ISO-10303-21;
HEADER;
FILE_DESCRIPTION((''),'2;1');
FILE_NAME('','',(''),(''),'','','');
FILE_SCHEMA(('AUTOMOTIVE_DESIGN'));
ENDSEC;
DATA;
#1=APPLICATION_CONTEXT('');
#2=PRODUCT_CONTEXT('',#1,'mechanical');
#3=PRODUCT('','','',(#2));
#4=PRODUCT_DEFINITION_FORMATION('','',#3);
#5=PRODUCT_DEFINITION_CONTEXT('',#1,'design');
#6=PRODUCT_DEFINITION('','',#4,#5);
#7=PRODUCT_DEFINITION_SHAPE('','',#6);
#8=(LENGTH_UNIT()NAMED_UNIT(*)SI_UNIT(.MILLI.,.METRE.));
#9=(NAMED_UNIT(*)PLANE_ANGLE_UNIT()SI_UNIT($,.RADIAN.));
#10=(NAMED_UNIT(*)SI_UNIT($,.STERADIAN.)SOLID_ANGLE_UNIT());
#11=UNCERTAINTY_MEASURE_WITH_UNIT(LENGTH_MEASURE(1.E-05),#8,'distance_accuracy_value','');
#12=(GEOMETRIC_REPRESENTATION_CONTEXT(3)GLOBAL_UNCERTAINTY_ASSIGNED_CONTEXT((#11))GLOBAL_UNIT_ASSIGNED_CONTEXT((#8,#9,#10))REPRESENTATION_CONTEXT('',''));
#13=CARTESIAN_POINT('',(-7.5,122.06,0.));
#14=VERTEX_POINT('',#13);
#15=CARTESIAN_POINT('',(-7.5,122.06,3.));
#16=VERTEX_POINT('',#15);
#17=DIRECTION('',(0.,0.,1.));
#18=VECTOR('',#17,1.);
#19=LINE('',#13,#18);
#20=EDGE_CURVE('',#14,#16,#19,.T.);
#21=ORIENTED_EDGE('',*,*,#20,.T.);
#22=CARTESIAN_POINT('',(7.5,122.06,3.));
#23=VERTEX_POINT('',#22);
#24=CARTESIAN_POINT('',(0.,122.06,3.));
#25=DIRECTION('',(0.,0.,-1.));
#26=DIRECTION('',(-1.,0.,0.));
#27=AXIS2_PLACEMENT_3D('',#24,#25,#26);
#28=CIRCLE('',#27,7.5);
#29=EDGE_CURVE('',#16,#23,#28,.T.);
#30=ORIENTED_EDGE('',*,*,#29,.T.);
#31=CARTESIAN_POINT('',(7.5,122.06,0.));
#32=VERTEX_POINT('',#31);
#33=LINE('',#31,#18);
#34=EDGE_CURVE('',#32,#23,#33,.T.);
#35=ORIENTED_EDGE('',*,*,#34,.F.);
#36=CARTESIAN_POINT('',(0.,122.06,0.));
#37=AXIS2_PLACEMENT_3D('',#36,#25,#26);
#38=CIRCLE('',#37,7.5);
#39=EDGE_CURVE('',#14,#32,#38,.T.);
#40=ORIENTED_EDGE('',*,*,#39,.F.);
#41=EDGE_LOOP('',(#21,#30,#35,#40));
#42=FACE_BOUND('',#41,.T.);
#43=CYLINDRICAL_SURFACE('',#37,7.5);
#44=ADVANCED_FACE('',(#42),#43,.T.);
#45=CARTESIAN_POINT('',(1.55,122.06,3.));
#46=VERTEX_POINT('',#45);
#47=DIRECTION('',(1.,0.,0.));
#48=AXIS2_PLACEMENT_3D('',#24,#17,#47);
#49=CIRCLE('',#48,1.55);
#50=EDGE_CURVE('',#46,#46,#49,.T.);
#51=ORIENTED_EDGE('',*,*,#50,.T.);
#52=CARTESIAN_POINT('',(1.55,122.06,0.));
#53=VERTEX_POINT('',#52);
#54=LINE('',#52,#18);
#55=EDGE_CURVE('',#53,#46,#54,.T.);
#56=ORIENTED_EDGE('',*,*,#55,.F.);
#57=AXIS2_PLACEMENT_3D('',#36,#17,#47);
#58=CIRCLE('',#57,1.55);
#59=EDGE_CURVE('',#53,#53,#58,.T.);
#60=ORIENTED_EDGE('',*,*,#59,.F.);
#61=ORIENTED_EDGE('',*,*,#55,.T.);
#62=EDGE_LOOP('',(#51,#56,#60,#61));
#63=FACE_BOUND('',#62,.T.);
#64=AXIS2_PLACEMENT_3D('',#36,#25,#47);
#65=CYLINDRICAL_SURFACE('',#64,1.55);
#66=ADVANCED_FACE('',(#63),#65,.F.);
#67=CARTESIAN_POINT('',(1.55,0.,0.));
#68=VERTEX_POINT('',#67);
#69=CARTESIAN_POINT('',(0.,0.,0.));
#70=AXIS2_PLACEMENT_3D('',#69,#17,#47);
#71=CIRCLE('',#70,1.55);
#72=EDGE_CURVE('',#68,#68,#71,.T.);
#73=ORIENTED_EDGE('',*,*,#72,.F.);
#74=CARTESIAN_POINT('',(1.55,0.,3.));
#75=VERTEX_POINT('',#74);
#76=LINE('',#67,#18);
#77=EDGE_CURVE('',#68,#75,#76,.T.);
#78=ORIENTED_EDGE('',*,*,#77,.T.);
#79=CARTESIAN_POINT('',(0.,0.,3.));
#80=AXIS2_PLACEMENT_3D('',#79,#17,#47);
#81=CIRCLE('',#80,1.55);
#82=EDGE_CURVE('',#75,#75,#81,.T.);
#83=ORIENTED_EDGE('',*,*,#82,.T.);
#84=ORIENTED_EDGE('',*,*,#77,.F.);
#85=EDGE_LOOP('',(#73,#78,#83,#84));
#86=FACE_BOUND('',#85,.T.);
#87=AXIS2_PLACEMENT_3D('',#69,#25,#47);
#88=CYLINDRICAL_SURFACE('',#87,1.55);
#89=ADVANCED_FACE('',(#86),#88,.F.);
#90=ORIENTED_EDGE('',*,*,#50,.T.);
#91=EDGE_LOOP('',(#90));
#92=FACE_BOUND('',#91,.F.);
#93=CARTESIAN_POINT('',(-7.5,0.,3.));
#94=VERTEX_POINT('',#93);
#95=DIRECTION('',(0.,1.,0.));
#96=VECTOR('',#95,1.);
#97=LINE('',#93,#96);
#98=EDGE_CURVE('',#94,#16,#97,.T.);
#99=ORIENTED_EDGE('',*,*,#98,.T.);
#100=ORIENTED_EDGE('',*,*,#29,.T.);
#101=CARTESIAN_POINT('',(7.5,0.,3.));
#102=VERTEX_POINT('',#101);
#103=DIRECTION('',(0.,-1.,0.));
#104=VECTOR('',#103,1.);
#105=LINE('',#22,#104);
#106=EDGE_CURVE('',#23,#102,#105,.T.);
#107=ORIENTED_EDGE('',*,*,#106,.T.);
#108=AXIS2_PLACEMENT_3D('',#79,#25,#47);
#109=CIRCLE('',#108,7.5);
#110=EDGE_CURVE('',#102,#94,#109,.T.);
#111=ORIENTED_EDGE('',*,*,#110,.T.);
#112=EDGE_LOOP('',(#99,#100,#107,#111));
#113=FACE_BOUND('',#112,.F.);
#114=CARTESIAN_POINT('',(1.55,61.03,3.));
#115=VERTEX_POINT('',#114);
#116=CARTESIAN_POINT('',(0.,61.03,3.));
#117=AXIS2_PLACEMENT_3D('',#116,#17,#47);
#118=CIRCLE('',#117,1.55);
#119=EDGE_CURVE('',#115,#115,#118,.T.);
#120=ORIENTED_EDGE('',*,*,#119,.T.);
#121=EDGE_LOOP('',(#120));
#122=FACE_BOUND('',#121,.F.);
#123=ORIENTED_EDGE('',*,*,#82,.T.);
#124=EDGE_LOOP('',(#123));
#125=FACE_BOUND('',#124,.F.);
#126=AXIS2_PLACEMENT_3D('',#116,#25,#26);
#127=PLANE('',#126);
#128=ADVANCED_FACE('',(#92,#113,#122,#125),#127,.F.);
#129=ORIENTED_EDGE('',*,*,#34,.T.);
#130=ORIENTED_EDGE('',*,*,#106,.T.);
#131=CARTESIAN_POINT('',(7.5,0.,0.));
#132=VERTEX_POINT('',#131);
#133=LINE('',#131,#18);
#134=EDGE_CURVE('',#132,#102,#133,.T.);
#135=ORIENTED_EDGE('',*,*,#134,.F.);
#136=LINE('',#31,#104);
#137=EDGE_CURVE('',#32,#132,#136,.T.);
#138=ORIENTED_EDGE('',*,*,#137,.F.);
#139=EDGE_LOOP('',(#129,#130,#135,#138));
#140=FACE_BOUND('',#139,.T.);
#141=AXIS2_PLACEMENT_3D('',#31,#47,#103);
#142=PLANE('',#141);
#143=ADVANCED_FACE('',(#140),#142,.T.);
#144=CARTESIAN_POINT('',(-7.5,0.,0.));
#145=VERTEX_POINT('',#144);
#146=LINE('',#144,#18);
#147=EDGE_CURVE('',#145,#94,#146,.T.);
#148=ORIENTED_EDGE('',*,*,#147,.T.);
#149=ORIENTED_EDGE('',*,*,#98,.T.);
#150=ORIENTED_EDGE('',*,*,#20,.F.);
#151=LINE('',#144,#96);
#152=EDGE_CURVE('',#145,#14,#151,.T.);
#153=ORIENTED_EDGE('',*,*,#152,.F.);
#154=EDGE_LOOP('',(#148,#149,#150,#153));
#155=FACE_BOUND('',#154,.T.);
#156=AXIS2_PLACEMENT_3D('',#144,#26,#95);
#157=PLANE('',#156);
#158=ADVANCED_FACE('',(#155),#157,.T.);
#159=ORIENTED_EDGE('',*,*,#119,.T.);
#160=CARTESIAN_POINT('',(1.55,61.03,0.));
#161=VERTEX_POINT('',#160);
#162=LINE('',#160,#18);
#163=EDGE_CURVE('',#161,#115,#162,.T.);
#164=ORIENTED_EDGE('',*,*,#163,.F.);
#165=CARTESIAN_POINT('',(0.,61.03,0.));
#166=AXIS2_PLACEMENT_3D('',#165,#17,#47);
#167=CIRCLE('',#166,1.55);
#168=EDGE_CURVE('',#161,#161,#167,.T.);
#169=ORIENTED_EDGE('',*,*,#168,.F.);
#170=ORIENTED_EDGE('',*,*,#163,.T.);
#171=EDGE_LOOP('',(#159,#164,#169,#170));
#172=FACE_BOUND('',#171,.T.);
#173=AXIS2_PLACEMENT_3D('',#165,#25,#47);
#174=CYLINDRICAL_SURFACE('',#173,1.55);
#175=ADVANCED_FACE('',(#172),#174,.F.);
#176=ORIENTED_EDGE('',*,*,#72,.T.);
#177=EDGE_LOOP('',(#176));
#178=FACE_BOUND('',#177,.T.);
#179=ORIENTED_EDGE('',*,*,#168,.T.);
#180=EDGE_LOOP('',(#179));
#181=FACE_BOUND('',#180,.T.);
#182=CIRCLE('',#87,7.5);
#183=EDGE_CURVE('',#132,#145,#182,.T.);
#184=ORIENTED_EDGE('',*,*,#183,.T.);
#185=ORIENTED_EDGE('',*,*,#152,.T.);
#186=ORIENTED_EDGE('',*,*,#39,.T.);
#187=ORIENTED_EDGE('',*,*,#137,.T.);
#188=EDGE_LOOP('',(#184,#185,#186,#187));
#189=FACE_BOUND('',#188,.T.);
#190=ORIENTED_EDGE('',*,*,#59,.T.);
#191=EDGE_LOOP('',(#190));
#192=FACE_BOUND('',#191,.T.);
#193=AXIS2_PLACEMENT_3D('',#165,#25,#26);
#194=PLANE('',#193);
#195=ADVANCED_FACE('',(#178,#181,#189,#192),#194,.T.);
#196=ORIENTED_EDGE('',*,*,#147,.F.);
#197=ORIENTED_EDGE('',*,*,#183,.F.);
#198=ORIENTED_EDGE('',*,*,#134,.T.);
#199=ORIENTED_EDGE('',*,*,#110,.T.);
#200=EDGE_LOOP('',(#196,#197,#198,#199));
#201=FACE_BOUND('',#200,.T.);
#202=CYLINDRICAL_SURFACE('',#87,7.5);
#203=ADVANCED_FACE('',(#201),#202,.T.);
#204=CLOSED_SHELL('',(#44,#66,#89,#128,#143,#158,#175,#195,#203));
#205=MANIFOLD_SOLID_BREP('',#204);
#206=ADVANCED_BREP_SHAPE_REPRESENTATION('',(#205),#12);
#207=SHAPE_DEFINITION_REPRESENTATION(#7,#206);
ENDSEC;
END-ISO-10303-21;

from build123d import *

# Parameters (mm, degrees)
CROQUIS1_R              = 1.55
SALIENTE_EXTRUIR1_DEPTH = 3


with BuildPart() as part:
    # Croquis1 → Saliente-Extruir1 (new body)
    with BuildSketch(Plane.XY):
        with BuildLine():
            Line((-7.5, 0), (-7.5, 122.06))
            ThreePointArc((-7.5, 122.06), (0, 129.56), (7.5, 122.06))
            Line((7.5, 122.06), (7.5, 0))
            ThreePointArc((7.5, 0), (0, -7.5), (-7.5, 0))
        make_face()
        Circle(CROQUIS1_R, mode=Mode.SUBTRACT)
        with Locations((0, 122.06)):
            Circle(CROQUIS1_R, mode=Mode.SUBTRACT)
        with Locations((0, 61.03)):
            Circle(CROQUIS1_R, mode=Mode.SUBTRACT)
    extrude(amount=SALIENTE_EXTRUIR1_DEPTH)


solid = part.part
